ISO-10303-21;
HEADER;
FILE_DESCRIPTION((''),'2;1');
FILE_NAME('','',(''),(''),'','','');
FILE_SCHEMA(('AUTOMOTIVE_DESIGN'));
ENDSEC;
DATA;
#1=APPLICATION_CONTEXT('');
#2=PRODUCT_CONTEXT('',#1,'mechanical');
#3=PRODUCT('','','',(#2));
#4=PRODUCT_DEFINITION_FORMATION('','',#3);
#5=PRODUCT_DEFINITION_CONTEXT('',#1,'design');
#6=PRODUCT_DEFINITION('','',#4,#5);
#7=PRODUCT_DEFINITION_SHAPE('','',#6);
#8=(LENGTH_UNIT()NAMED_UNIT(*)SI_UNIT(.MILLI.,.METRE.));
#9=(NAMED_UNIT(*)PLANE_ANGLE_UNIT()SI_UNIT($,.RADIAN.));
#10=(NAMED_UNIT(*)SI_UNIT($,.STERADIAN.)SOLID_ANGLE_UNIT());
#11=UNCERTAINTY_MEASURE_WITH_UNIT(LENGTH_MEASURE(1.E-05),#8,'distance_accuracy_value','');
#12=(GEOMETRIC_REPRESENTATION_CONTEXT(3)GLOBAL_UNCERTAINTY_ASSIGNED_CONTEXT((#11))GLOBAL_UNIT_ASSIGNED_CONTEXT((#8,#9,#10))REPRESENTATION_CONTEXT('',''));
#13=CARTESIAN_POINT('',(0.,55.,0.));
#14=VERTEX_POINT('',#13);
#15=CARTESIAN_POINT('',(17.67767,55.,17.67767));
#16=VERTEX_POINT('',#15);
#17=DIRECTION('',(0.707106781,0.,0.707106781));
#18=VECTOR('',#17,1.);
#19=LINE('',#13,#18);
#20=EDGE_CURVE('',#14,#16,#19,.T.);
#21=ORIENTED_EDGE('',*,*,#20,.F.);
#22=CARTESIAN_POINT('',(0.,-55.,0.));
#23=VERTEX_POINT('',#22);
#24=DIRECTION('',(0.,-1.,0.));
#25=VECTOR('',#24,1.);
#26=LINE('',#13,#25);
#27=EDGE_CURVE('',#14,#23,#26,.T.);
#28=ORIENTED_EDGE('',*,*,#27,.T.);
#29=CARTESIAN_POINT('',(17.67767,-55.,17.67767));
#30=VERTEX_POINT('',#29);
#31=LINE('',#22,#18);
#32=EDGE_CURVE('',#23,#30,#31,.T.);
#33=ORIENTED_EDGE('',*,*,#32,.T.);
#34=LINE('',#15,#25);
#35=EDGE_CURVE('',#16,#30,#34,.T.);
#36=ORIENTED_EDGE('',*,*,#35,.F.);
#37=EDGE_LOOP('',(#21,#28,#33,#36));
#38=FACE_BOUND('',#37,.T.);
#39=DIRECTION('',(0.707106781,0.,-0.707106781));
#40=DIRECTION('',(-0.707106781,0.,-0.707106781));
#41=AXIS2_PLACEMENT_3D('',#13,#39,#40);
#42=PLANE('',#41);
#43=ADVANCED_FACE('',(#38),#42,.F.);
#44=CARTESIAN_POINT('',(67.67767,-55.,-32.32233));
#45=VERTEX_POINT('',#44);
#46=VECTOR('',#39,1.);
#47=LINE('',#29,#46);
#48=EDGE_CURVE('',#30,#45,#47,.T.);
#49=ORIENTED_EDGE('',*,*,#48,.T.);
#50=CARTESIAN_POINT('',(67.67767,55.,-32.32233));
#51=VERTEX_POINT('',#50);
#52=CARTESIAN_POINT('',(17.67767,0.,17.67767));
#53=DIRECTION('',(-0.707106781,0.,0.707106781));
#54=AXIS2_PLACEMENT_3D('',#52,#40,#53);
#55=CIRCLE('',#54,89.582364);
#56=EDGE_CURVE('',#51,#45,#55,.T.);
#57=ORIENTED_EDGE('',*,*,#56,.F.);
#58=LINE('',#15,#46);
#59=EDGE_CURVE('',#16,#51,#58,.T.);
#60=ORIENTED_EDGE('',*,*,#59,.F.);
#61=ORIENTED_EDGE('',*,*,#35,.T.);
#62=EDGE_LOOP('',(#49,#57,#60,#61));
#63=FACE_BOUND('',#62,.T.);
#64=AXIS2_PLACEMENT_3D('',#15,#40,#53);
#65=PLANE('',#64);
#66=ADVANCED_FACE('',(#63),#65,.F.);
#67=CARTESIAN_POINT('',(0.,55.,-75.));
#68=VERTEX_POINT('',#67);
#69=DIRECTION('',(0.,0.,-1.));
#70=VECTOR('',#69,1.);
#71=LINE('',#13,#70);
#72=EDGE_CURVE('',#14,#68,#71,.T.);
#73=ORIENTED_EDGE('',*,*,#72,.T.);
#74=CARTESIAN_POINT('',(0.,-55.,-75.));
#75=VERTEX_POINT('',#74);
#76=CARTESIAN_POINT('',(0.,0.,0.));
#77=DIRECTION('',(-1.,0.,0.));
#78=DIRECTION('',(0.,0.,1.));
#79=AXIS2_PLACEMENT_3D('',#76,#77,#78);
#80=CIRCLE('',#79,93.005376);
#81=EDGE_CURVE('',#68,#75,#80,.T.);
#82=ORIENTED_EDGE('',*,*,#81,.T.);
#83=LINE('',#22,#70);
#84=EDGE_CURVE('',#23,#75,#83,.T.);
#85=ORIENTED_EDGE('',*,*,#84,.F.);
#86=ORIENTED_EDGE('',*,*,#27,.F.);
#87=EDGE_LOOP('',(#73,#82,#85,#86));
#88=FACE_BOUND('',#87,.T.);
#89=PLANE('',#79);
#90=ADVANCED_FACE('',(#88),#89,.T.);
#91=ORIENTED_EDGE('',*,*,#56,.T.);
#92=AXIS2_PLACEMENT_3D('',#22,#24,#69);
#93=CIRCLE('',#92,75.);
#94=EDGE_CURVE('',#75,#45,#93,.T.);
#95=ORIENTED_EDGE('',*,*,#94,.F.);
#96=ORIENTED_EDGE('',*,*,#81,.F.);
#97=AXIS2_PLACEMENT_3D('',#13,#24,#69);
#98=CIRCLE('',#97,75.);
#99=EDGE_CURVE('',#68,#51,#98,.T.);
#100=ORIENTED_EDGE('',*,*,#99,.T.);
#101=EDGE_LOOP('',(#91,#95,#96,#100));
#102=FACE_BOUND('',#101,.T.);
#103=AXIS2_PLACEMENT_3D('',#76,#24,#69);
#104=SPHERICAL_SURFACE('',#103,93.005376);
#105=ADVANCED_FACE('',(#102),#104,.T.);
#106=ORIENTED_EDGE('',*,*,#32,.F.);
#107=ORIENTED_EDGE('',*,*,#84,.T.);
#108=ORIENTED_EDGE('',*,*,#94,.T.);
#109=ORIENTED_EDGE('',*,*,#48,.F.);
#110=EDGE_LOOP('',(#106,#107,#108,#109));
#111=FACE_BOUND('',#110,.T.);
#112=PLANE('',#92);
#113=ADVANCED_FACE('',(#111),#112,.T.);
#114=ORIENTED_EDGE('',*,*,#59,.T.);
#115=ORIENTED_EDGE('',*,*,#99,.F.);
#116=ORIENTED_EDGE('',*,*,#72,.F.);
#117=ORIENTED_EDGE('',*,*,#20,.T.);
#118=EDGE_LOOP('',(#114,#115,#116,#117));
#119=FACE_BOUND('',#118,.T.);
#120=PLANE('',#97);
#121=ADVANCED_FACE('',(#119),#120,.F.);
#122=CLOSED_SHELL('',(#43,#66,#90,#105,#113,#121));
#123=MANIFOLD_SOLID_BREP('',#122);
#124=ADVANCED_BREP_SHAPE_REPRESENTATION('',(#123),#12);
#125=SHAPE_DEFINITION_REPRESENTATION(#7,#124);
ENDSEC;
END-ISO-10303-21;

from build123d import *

# Parameters (mm, degrees)
OBR_T1_ANGLE               = 180
WYTNIJ_WYCI_GNI_CIE6_DEPTH = 172.464281995
WYTNIJ_WYCI_GNI_CIE7_DEPTH = 166.271168412


with BuildPart() as part:
    # Szkic1 → Obrót1 (revolve)
    with BuildSketch(Plane(origin=(0, 0, 0), x_dir=(0, 0, -1), z_dir=(1, 0, 0))):
        with BuildLine():
            Line((0, -55), (0, 55))
            Line((0, 55), (-75, 55))
            ThreePointArc((-75, 55), (-93.005376189, 0), (-75, -55))
            Line((-75, -55), (0, -55))
        make_face()
    revolve(axis=Axis((0, -55, 0), (0, 1, 0)), revolution_arc=OBR_T1_ANGLE)

    # Szkic2 → Wytnij-wyciągnięcie6 (cut, through all)
    with BuildSketch(Plane.XZ.offset(55)):
        with BuildLine():
            Line((-50.140376582, 0), (-26.065901524, 0))
            Line((-26.065901524, 0), (-26.065901524, 75))
            Line((-26.065901524, 75), (0, 75))
            ThreePointArc((0, 75), (6.164498497, 74.746230395), (12.287280664, 73.986638888))
            ThreePointArc((12.287280664, 73.986638888), (66.513138224, 34.655482158), (67.67766953, -32.32233047))
            Line((67.67766953, -32.32233047), (87.353699516, -51.998360457))
            Line((87.353699516, -51.998360457), (99.71705874, -51.998360457))
            Line((99.71705874, -51.998360457), (99.71705874, 112.393065192))
            Line((99.71705874, 112.393065192), (-50.140376582, 112.393065192))
            Line((-50.140376582, 112.393065192), (-50.140376582, 0))
        make_face()
    extrude(amount=-WYTNIJ_WYCI_GNI_CIE6_DEPTH, mode=Mode.SUBTRACT)

    # Szkic6 → Wytnij-wyciągnięcie7 (cut, through all)
    with BuildSketch(Plane.XZ.offset(55)):
        with BuildLine():
            ThreePointArc((67.67766953, -32.32233047), (63.439635817, 40.00515726), (0, 75))
            Line((0, 75), (0, 0))
            Line((0, 0), (17.67766953, 17.67766953))
            Line((17.67766953, 17.67766953), (67.67766953, -32.32233047))
        make_face()
    extrude(amount=-WYTNIJ_WYCI_GNI_CIE7_DEPTH, mode=Mode.SUBTRACT)


solid = part.part
